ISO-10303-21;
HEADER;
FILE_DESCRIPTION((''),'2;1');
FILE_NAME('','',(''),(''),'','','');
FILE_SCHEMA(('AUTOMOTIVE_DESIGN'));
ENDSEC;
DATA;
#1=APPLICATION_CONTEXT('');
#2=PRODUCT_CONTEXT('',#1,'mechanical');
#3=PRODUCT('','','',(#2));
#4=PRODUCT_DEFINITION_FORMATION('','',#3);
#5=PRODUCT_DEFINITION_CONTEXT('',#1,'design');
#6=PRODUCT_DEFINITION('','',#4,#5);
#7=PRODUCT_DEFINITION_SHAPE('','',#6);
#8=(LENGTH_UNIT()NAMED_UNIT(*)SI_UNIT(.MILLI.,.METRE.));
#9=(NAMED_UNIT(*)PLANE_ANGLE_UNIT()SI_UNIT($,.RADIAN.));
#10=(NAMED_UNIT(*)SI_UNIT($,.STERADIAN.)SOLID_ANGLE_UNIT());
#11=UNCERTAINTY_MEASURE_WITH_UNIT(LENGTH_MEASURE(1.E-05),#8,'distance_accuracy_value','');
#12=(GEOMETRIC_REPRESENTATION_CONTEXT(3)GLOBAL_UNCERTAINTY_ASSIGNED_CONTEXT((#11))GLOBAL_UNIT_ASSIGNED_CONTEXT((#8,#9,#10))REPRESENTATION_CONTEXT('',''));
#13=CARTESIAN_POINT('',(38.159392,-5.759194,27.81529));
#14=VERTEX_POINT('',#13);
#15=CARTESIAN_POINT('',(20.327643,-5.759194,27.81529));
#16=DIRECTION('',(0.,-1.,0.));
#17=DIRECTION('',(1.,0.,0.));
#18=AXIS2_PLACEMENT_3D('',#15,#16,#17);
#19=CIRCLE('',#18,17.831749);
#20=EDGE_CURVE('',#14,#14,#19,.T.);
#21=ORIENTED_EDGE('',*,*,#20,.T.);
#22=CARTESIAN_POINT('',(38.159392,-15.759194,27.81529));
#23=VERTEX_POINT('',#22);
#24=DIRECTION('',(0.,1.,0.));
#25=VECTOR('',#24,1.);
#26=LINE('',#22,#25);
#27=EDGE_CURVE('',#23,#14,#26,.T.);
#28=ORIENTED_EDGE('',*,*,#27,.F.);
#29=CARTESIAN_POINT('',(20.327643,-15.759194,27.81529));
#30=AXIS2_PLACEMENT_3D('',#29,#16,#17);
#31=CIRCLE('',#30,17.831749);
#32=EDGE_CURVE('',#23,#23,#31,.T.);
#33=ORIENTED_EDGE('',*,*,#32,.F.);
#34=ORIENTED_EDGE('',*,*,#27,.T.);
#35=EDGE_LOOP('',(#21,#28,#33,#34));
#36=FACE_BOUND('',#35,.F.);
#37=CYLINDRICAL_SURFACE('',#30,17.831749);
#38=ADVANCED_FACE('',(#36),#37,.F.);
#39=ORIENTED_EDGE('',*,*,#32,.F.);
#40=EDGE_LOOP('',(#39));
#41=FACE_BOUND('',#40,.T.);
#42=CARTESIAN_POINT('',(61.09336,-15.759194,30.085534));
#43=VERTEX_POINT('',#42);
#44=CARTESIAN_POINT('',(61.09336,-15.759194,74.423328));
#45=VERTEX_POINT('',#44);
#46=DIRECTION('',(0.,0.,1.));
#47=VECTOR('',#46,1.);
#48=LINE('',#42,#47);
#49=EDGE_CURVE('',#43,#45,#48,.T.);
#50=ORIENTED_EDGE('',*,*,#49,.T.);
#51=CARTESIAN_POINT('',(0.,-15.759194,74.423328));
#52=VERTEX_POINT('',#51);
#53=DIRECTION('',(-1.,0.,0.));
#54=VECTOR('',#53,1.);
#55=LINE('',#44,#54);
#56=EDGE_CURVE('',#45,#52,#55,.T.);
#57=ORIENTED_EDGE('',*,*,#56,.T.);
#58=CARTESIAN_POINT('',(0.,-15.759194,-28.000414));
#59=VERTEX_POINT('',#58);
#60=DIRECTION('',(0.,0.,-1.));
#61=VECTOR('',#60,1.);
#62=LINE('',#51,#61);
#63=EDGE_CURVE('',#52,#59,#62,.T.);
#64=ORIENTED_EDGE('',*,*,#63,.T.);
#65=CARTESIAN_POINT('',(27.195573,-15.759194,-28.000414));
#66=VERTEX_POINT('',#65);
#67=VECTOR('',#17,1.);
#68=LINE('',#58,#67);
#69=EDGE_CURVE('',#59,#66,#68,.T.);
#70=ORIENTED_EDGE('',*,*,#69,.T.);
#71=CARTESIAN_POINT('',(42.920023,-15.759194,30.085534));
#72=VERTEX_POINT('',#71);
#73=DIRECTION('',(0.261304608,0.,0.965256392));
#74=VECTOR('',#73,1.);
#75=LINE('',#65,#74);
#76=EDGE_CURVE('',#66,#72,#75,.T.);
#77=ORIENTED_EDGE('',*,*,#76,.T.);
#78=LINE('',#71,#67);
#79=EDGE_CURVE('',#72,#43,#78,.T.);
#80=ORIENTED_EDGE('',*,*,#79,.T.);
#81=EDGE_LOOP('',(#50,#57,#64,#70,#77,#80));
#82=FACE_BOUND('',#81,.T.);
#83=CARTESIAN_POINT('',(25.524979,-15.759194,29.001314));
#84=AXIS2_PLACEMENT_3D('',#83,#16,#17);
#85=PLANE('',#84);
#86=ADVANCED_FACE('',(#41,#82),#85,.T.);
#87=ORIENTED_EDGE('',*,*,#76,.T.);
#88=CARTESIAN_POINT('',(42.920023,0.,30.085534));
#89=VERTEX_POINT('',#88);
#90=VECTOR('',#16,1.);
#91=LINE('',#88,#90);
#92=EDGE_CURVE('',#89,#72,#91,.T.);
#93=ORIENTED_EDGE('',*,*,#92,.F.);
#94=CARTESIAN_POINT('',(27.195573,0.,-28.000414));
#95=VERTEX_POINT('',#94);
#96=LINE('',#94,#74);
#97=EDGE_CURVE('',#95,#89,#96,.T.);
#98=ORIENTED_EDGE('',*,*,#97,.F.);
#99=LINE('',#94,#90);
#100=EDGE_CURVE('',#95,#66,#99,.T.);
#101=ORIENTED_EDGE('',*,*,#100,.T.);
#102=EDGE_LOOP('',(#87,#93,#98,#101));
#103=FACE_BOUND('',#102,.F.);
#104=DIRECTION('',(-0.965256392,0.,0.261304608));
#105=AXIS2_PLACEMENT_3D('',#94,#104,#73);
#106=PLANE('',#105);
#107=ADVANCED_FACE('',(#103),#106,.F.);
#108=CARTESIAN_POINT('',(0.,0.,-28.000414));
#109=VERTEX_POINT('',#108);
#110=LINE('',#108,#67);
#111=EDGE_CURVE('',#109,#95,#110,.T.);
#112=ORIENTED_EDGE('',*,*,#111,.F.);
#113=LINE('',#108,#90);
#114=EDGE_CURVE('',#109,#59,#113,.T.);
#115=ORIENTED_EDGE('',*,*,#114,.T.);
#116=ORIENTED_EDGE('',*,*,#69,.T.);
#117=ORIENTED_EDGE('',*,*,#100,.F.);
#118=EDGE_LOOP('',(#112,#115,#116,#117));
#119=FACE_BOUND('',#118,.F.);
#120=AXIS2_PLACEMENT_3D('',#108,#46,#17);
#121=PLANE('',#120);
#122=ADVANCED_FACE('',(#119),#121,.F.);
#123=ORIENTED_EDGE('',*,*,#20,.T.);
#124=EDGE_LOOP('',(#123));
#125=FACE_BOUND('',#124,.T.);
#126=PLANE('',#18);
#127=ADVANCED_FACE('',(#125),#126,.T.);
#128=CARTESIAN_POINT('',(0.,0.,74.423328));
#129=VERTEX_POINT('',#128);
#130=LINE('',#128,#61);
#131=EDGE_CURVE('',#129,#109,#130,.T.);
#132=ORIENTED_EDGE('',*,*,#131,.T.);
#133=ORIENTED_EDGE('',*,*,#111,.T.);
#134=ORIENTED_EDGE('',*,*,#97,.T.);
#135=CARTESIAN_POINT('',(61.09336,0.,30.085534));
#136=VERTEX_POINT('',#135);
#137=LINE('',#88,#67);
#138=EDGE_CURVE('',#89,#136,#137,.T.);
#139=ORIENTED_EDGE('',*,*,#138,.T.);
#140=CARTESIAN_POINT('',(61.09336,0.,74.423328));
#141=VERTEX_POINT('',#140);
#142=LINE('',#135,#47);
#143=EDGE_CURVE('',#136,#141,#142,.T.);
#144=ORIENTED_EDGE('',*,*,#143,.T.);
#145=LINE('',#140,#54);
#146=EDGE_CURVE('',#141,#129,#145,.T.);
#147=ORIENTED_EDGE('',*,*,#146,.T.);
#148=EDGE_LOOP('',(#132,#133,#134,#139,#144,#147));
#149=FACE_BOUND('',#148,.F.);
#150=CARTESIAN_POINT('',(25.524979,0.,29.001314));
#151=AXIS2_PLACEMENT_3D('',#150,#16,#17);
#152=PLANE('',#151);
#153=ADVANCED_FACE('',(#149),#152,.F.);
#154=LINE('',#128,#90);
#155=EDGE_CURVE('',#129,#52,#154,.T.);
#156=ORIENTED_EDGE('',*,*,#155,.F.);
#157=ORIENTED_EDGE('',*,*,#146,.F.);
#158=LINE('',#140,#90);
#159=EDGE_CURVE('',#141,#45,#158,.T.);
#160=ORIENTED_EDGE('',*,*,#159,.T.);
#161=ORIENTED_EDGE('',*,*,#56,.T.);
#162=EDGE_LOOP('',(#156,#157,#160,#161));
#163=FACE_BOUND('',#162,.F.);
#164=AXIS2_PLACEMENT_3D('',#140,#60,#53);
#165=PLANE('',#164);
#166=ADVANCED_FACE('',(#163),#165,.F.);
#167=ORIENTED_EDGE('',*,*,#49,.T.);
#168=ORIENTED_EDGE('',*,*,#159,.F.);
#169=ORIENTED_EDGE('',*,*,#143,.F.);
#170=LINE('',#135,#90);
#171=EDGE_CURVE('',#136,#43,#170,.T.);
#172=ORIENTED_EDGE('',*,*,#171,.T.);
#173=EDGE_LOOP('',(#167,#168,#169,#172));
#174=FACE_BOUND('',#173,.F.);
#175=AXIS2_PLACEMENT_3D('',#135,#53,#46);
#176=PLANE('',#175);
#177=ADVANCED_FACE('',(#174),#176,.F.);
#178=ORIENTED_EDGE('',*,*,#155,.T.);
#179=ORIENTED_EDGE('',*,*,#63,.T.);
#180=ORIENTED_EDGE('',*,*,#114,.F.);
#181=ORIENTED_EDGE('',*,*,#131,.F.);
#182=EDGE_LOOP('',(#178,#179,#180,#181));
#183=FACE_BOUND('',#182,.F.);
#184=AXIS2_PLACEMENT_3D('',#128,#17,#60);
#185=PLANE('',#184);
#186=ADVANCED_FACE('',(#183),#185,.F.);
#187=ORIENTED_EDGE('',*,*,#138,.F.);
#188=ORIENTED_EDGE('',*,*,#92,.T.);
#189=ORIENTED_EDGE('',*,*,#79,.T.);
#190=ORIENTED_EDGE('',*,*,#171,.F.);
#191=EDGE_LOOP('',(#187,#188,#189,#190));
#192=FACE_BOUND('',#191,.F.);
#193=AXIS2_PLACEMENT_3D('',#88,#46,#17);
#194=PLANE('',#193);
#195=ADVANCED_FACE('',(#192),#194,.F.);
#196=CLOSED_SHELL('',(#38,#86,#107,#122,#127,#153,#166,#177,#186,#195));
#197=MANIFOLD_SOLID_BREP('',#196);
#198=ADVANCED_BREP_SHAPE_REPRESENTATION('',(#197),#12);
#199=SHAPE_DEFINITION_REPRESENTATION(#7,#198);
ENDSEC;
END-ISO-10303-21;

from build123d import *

# Parameters (mm, degrees)
F1_DEPTH = 15.759194
F2_R     = 17.831749
F3_DEPTH = 10


with BuildPart() as f1:
    # F0 (on Front) → F1 (new body)
    with BuildSketch(Plane.XZ):
        Polygon((0, -28.000414), (27.195573, -28.000414), (42.920023, 30.085534), (61.09336, 30.085534), (61.09336, 74.423328), (0, 74.423328), align=None)
    extrude(amount=F1_DEPTH)

    # F2 (on face) → F3 (cut)
    with BuildSketch(Plane.XZ.offset(15.759194)):
        with Locations((20.327643, 27.81529)):
            Circle(F2_R)
    extrude(amount=-F3_DEPTH, mode=Mode.SUBTRACT)


solid = f1.part
